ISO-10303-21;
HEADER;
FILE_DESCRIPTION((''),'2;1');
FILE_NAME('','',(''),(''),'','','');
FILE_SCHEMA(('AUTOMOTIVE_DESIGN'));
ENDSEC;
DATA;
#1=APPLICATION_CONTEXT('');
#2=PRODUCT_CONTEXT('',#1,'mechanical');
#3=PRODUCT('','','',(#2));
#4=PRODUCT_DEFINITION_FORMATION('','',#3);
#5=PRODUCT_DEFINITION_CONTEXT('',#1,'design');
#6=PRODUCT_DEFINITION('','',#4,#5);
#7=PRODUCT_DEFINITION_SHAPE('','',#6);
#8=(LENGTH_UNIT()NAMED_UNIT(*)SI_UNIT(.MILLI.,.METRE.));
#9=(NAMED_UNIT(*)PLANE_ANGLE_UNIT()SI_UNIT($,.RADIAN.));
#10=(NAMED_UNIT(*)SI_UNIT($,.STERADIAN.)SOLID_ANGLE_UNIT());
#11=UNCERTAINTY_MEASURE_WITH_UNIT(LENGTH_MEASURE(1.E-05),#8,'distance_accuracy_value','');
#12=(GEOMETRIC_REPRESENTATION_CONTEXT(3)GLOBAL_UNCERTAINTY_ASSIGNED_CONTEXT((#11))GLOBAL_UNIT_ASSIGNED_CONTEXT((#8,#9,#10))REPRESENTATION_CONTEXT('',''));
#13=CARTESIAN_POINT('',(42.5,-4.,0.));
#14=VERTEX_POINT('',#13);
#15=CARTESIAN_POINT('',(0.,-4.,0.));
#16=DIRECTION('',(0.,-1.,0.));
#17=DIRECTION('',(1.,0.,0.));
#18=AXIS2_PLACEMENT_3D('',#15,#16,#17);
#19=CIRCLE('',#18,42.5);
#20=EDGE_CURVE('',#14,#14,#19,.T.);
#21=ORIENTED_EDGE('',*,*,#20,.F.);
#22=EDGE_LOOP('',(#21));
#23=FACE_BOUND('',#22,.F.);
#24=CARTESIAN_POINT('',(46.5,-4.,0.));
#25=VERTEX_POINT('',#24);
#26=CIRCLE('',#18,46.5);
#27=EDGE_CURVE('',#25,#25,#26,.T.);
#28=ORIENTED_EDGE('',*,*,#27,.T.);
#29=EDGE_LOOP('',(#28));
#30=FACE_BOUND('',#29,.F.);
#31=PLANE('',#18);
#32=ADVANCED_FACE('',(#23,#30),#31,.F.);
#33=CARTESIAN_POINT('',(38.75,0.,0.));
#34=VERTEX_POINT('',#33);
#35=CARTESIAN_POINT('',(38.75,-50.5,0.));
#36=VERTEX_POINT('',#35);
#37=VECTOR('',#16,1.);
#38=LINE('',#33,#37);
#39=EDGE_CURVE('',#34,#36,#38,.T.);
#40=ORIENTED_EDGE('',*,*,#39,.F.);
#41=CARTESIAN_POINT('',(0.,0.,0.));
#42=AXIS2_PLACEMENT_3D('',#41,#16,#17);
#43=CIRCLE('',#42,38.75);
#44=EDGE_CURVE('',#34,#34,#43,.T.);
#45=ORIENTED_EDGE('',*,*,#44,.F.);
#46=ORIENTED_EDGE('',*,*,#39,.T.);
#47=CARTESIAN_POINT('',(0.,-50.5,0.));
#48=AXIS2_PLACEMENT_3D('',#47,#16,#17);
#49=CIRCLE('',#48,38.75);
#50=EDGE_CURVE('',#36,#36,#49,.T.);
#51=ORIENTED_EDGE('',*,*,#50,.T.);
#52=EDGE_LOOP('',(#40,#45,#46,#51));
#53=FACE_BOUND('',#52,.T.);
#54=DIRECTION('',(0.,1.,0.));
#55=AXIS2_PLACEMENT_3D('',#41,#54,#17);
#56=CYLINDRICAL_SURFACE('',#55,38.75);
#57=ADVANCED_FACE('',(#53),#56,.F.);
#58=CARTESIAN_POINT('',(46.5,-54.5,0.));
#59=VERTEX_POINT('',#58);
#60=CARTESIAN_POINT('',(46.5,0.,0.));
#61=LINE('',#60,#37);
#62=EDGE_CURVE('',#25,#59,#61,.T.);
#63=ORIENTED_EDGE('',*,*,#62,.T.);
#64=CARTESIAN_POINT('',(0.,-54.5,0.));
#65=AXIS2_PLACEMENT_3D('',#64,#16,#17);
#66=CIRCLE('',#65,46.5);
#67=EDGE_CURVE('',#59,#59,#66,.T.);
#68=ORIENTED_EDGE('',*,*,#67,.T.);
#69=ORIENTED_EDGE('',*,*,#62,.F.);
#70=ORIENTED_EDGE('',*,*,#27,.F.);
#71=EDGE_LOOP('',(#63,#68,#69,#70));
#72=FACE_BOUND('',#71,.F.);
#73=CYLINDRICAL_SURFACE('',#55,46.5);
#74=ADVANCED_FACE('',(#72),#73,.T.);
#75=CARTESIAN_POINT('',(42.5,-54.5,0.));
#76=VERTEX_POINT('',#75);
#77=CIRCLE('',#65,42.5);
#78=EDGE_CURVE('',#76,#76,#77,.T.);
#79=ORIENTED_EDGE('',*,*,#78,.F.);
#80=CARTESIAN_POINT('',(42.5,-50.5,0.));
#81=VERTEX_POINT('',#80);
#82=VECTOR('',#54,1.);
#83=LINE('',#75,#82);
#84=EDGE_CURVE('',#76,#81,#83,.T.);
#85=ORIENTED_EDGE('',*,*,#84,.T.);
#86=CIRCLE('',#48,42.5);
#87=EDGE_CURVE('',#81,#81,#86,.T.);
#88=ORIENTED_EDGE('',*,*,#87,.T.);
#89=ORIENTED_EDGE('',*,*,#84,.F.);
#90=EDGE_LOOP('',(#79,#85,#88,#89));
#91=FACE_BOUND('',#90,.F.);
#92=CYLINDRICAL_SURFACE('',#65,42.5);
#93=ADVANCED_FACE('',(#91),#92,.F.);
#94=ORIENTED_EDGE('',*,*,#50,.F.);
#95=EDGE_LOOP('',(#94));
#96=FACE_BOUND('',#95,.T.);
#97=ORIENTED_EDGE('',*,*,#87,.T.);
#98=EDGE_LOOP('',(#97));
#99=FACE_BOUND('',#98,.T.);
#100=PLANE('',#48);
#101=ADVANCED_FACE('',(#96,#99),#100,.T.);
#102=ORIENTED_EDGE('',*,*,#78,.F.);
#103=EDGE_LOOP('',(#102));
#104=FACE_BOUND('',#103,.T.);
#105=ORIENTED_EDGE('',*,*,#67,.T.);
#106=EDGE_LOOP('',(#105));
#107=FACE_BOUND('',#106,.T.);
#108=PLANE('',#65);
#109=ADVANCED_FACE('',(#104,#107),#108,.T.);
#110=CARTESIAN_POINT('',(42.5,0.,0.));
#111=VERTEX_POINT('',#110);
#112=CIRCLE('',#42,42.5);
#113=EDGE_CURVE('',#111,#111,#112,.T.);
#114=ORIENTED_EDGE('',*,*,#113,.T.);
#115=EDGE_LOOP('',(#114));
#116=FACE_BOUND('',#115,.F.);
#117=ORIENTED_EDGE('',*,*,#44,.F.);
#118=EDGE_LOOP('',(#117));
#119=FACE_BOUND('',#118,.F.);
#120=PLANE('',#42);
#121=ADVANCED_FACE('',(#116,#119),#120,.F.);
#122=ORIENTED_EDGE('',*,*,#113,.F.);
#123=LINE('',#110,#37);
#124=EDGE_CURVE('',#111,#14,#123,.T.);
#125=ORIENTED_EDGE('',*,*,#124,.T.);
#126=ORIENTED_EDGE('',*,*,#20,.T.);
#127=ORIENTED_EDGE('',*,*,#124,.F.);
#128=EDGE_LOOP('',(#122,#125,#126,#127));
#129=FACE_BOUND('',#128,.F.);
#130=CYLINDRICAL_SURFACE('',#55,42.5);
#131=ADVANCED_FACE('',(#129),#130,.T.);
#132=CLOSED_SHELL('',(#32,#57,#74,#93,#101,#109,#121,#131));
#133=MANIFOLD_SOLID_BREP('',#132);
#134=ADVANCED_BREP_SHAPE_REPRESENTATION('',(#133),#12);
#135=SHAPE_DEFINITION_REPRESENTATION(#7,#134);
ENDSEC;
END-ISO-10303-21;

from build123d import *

# Parameters (mm, degrees)
F2_R     = 46.5
F2_R_2   = 42.5
F2_R_3   = 38.75
F3_DEPTH = 54.5
F4_DEPTH = 4
F5_R     = 42.5
F5_R_2   = 38.75
F6_DEPTH = 4


with BuildPart() as f3:
    # F2 (on Front) → F3 (new body)
    with BuildSketch(Plane.XZ):
        Circle(F2_R)
        Circle(F2_R_2, mode=Mode.SUBTRACT)
        Circle(F2_R_2)
        Circle(F2_R_3, mode=Mode.SUBTRACT)
    extrude(amount=F3_DEPTH)

    # F2 (on Front) → F4 (cut)
    with BuildSketch(Plane.XZ):
        Circle(F2_R)
        Circle(F2_R_2, mode=Mode.SUBTRACT)
    extrude(amount=F4_DEPTH, mode=Mode.SUBTRACT)

    # F5 (on face) → F6 (cut)
    with BuildSketch(Plane.XZ.offset(54.5)):
        Circle(F5_R)
        Circle(F5_R_2, mode=Mode.SUBTRACT)
    extrude(amount=-F6_DEPTH, mode=Mode.SUBTRACT)


solid = f3.part
